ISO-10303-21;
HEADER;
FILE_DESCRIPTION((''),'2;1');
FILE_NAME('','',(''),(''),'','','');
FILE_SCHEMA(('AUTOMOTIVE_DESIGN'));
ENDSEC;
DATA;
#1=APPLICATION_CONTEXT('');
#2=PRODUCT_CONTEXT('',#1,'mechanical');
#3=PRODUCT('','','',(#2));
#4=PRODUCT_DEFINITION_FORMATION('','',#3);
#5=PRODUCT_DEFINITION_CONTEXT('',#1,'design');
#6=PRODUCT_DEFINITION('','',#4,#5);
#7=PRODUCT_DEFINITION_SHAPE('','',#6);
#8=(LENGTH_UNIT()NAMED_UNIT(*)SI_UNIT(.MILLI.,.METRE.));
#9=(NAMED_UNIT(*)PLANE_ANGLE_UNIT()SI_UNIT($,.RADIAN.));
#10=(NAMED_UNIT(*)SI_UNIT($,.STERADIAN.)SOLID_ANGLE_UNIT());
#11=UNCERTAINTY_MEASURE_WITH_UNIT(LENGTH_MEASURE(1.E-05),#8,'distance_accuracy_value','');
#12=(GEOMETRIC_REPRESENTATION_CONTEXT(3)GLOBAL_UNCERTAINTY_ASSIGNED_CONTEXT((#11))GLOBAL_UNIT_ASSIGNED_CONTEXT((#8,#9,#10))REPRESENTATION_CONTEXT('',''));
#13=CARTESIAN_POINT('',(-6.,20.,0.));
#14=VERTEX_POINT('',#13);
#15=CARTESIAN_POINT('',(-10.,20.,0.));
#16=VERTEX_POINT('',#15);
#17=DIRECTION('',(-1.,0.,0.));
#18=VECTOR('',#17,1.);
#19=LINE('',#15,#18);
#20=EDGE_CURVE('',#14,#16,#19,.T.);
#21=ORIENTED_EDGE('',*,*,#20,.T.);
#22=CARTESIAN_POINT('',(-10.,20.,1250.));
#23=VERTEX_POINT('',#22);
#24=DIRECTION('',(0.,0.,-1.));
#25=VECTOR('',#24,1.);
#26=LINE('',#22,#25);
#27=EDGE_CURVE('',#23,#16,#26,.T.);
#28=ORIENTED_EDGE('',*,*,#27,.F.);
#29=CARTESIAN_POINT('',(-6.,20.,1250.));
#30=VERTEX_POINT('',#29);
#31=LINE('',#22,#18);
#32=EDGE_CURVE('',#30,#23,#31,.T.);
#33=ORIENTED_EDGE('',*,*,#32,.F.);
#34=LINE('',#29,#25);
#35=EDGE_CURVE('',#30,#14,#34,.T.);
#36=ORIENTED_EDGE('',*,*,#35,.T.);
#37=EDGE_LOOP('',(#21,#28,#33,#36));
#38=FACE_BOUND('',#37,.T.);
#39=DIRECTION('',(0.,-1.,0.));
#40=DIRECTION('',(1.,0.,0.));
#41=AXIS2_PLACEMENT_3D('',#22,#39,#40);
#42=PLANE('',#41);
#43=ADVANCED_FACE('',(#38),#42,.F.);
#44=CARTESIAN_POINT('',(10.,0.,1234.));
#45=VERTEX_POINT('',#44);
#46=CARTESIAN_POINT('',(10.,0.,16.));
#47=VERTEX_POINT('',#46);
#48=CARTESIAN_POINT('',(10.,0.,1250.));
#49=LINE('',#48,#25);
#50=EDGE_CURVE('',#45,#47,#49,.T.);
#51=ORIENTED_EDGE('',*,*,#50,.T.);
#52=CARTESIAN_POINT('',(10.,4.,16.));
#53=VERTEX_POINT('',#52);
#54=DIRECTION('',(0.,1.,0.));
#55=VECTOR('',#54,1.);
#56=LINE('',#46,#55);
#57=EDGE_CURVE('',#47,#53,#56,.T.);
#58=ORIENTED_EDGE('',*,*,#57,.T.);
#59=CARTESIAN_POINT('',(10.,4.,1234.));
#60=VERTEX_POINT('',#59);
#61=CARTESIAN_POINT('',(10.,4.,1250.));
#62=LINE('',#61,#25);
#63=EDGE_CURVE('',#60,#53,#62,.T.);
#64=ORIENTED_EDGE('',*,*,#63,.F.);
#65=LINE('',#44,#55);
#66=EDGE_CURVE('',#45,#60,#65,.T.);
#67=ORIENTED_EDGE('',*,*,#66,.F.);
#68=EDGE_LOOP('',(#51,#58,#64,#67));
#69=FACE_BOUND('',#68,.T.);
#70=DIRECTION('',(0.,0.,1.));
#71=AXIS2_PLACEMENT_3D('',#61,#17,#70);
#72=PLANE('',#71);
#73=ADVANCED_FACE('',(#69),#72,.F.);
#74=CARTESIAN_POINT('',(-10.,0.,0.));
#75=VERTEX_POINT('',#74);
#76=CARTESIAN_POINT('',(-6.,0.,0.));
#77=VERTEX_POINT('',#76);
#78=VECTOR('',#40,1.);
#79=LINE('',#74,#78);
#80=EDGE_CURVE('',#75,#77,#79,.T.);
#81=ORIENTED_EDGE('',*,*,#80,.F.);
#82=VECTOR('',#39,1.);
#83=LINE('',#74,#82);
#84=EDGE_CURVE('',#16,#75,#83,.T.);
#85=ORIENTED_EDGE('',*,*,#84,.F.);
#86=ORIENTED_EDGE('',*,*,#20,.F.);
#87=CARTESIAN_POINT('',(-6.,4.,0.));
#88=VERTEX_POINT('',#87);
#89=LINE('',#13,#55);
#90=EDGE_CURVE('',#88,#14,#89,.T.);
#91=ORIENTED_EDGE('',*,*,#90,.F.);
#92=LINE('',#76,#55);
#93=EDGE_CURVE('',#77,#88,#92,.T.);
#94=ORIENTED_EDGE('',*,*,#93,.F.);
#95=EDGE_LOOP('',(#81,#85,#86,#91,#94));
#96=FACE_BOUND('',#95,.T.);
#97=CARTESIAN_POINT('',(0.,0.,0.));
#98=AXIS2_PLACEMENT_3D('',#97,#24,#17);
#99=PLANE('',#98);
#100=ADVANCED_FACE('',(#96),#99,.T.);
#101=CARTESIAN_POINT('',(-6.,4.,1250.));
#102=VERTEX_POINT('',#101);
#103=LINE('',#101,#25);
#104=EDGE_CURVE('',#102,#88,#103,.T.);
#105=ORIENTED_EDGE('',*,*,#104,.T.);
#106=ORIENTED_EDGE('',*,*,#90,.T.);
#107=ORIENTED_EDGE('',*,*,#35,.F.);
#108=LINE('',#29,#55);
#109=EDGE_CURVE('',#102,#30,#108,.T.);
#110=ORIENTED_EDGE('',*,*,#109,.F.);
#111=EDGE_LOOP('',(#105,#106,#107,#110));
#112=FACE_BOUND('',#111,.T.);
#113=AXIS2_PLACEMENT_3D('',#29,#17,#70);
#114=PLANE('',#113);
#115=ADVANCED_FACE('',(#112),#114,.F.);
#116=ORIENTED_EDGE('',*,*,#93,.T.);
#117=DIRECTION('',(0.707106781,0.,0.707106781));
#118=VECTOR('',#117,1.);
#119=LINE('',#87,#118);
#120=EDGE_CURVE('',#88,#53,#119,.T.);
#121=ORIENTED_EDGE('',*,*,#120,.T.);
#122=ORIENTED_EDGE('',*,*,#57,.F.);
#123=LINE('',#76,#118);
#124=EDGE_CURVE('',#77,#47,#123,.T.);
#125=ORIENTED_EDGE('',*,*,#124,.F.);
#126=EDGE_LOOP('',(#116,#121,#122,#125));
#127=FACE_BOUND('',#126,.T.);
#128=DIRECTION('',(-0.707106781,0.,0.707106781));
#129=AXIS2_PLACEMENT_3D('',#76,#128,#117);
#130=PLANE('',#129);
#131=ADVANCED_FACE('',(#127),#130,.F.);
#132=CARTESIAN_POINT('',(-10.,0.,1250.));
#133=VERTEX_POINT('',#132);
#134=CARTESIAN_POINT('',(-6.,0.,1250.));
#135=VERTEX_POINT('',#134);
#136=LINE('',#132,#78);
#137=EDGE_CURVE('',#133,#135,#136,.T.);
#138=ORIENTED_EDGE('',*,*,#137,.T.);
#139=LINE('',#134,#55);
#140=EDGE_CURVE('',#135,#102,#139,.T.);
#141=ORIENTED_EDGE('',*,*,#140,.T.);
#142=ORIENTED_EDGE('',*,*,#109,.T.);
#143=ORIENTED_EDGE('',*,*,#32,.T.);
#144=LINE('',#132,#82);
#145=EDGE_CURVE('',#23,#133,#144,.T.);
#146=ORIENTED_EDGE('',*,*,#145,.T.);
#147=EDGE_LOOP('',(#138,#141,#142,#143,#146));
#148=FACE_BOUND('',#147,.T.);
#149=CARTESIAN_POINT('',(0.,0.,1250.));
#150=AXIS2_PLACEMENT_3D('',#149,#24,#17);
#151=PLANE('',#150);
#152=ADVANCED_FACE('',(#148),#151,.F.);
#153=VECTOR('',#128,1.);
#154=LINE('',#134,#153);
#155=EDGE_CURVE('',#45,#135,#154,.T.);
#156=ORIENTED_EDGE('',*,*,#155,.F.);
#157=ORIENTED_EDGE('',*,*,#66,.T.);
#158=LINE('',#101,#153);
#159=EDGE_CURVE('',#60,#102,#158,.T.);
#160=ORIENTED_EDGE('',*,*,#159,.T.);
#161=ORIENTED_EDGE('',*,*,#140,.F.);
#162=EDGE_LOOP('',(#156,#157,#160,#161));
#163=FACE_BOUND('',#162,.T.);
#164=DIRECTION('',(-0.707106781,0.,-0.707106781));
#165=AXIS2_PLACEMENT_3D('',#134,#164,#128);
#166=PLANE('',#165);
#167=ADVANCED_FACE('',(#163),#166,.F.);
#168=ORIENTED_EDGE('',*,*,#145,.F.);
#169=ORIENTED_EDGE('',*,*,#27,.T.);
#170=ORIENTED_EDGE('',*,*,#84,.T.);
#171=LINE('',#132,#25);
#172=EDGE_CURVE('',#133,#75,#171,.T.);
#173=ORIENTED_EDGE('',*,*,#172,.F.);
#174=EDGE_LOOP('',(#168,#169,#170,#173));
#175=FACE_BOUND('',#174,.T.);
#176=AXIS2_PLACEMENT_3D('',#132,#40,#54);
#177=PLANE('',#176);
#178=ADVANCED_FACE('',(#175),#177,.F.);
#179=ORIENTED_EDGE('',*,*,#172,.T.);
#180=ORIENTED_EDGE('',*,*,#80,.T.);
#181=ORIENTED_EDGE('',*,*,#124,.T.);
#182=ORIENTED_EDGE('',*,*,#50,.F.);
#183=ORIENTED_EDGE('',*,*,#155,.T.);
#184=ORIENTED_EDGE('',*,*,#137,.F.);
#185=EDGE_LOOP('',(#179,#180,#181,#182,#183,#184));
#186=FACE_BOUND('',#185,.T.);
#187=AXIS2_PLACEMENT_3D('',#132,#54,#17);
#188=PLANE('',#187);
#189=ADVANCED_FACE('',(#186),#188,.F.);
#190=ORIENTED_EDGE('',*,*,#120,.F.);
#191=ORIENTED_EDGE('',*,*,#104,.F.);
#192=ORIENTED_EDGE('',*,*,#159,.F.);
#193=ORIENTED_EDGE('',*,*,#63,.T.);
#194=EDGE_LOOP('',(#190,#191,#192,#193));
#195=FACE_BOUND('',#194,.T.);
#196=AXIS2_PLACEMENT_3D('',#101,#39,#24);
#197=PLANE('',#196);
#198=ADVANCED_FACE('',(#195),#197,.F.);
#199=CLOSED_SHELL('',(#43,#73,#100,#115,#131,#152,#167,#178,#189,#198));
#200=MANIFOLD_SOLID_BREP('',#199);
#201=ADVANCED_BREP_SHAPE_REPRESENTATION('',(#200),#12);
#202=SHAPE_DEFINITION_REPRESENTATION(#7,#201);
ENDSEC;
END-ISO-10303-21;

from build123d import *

# Parameters (mm, degrees)
EXTRUDE_1_DEPTH     = 1250
CUT_EXTRUDE_1_DEPTH = 1251.14239189
CUT_EXTRUDE_2_DEPTH = 1251.14239189


with BuildPart() as part:
    # Эскиз1 → Бобышка-Вытянуть1 (new body)
    with BuildSketch(Plane.XY):
        Polygon((-10, 0), (10, 0), (10, 4), (-6, 4), (-6, 20), (-10, 20), align=None)
    extrude(amount=EXTRUDE_1_DEPTH)

    # Эскиз2 → Вырез-Вытянуть1 (cut, through all)
    with BuildSketch(Plane(origin=(0, 4, 0), x_dir=(1, 0, 0), z_dir=(0, 1, 0))):
        Polygon((-6, 0), (10, -16), (10, 0), align=None)
    extrude(amount=-CUT_EXTRUDE_1_DEPTH, mode=Mode.SUBTRACT)

    # Эскиз3 → Вырез-Вытянуть2 (cut, through all)
    with BuildSketch(Plane(origin=(0, 4, 0), x_dir=(1, 0, 0), z_dir=(0, 1, 0))):
        Polygon((-6, -1250), (10, -1234), (10, -1250), align=None)
    extrude(amount=-CUT_EXTRUDE_2_DEPTH, mode=Mode.SUBTRACT)


solid = part.part
